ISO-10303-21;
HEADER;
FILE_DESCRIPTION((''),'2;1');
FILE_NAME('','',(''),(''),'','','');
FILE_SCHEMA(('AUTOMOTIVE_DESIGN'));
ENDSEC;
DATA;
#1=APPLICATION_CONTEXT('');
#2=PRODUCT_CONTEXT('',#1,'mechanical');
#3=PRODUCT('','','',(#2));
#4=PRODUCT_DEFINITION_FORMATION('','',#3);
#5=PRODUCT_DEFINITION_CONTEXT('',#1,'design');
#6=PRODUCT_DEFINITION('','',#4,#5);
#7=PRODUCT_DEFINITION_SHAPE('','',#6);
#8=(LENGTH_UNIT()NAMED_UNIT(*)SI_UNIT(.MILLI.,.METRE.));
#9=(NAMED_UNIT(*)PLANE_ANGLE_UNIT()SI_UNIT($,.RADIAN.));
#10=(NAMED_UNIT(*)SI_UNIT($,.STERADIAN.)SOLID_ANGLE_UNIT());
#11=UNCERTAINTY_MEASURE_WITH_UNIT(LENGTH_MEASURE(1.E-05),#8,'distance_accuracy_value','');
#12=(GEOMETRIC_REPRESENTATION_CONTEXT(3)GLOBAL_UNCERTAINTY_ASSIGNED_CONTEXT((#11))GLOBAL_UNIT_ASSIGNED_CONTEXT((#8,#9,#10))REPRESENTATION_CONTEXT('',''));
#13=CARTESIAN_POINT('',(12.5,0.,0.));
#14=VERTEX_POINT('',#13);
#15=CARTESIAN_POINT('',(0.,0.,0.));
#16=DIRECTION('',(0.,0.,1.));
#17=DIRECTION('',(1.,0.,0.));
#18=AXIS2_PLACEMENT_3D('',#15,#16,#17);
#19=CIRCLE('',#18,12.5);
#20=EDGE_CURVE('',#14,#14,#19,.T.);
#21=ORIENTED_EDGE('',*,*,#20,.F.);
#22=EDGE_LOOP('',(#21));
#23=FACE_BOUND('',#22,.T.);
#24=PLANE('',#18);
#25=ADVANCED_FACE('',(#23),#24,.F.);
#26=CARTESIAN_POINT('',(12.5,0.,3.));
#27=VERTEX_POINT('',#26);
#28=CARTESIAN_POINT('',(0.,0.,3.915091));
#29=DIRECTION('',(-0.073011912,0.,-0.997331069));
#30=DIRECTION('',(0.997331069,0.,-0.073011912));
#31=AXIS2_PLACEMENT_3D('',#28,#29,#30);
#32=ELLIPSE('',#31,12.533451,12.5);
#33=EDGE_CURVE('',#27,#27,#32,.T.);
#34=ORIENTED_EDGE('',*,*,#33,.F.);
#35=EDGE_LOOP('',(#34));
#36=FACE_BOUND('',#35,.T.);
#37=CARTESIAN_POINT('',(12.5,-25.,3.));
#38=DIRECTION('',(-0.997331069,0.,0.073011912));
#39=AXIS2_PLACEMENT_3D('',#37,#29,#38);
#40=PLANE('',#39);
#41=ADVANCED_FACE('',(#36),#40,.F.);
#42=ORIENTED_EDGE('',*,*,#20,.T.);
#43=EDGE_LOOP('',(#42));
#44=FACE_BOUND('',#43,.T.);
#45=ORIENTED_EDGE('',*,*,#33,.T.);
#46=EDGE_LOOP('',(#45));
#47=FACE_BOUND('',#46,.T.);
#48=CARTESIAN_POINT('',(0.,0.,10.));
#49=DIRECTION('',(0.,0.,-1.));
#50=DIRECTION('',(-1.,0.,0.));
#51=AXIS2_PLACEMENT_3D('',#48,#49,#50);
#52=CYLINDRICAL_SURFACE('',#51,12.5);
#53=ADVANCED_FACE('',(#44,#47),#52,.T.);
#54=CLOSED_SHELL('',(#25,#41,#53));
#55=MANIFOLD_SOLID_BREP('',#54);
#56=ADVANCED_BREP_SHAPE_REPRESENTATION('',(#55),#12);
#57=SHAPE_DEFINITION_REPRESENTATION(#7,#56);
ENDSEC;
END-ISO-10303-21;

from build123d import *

# Parameters (mm, degrees)
SKETCH_1_R          = 12.5
EXTRUDE_1_DEPTH     = 10
CUT_EXTRUDE_1_DEPTH = 25


with BuildPart() as part:
    # 草图1 → 凸台-拉伸1 (new body)
    with BuildSketch(Plane.XY):
        Circle(SKETCH_1_R)
    extrude(amount=EXTRUDE_1_DEPTH)

    # 草图2 → 切除-拉伸1 (cut, symmetric)
    with BuildSketch(Plane(origin=(0, 0, 0), x_dir=(1, 0, 0), z_dir=(0, 1, 0))):
        Polygon((12.5, -3), (-16.564366405, -5.127723704), (-16.564366405, -16.065556693), (17.844464677, -16.065556693), (17.844464677, -3), align=None)
    extrude(amount=CUT_EXTRUDE_1_DEPTH, both=True, mode=Mode.SUBTRACT)


solid = part.part
